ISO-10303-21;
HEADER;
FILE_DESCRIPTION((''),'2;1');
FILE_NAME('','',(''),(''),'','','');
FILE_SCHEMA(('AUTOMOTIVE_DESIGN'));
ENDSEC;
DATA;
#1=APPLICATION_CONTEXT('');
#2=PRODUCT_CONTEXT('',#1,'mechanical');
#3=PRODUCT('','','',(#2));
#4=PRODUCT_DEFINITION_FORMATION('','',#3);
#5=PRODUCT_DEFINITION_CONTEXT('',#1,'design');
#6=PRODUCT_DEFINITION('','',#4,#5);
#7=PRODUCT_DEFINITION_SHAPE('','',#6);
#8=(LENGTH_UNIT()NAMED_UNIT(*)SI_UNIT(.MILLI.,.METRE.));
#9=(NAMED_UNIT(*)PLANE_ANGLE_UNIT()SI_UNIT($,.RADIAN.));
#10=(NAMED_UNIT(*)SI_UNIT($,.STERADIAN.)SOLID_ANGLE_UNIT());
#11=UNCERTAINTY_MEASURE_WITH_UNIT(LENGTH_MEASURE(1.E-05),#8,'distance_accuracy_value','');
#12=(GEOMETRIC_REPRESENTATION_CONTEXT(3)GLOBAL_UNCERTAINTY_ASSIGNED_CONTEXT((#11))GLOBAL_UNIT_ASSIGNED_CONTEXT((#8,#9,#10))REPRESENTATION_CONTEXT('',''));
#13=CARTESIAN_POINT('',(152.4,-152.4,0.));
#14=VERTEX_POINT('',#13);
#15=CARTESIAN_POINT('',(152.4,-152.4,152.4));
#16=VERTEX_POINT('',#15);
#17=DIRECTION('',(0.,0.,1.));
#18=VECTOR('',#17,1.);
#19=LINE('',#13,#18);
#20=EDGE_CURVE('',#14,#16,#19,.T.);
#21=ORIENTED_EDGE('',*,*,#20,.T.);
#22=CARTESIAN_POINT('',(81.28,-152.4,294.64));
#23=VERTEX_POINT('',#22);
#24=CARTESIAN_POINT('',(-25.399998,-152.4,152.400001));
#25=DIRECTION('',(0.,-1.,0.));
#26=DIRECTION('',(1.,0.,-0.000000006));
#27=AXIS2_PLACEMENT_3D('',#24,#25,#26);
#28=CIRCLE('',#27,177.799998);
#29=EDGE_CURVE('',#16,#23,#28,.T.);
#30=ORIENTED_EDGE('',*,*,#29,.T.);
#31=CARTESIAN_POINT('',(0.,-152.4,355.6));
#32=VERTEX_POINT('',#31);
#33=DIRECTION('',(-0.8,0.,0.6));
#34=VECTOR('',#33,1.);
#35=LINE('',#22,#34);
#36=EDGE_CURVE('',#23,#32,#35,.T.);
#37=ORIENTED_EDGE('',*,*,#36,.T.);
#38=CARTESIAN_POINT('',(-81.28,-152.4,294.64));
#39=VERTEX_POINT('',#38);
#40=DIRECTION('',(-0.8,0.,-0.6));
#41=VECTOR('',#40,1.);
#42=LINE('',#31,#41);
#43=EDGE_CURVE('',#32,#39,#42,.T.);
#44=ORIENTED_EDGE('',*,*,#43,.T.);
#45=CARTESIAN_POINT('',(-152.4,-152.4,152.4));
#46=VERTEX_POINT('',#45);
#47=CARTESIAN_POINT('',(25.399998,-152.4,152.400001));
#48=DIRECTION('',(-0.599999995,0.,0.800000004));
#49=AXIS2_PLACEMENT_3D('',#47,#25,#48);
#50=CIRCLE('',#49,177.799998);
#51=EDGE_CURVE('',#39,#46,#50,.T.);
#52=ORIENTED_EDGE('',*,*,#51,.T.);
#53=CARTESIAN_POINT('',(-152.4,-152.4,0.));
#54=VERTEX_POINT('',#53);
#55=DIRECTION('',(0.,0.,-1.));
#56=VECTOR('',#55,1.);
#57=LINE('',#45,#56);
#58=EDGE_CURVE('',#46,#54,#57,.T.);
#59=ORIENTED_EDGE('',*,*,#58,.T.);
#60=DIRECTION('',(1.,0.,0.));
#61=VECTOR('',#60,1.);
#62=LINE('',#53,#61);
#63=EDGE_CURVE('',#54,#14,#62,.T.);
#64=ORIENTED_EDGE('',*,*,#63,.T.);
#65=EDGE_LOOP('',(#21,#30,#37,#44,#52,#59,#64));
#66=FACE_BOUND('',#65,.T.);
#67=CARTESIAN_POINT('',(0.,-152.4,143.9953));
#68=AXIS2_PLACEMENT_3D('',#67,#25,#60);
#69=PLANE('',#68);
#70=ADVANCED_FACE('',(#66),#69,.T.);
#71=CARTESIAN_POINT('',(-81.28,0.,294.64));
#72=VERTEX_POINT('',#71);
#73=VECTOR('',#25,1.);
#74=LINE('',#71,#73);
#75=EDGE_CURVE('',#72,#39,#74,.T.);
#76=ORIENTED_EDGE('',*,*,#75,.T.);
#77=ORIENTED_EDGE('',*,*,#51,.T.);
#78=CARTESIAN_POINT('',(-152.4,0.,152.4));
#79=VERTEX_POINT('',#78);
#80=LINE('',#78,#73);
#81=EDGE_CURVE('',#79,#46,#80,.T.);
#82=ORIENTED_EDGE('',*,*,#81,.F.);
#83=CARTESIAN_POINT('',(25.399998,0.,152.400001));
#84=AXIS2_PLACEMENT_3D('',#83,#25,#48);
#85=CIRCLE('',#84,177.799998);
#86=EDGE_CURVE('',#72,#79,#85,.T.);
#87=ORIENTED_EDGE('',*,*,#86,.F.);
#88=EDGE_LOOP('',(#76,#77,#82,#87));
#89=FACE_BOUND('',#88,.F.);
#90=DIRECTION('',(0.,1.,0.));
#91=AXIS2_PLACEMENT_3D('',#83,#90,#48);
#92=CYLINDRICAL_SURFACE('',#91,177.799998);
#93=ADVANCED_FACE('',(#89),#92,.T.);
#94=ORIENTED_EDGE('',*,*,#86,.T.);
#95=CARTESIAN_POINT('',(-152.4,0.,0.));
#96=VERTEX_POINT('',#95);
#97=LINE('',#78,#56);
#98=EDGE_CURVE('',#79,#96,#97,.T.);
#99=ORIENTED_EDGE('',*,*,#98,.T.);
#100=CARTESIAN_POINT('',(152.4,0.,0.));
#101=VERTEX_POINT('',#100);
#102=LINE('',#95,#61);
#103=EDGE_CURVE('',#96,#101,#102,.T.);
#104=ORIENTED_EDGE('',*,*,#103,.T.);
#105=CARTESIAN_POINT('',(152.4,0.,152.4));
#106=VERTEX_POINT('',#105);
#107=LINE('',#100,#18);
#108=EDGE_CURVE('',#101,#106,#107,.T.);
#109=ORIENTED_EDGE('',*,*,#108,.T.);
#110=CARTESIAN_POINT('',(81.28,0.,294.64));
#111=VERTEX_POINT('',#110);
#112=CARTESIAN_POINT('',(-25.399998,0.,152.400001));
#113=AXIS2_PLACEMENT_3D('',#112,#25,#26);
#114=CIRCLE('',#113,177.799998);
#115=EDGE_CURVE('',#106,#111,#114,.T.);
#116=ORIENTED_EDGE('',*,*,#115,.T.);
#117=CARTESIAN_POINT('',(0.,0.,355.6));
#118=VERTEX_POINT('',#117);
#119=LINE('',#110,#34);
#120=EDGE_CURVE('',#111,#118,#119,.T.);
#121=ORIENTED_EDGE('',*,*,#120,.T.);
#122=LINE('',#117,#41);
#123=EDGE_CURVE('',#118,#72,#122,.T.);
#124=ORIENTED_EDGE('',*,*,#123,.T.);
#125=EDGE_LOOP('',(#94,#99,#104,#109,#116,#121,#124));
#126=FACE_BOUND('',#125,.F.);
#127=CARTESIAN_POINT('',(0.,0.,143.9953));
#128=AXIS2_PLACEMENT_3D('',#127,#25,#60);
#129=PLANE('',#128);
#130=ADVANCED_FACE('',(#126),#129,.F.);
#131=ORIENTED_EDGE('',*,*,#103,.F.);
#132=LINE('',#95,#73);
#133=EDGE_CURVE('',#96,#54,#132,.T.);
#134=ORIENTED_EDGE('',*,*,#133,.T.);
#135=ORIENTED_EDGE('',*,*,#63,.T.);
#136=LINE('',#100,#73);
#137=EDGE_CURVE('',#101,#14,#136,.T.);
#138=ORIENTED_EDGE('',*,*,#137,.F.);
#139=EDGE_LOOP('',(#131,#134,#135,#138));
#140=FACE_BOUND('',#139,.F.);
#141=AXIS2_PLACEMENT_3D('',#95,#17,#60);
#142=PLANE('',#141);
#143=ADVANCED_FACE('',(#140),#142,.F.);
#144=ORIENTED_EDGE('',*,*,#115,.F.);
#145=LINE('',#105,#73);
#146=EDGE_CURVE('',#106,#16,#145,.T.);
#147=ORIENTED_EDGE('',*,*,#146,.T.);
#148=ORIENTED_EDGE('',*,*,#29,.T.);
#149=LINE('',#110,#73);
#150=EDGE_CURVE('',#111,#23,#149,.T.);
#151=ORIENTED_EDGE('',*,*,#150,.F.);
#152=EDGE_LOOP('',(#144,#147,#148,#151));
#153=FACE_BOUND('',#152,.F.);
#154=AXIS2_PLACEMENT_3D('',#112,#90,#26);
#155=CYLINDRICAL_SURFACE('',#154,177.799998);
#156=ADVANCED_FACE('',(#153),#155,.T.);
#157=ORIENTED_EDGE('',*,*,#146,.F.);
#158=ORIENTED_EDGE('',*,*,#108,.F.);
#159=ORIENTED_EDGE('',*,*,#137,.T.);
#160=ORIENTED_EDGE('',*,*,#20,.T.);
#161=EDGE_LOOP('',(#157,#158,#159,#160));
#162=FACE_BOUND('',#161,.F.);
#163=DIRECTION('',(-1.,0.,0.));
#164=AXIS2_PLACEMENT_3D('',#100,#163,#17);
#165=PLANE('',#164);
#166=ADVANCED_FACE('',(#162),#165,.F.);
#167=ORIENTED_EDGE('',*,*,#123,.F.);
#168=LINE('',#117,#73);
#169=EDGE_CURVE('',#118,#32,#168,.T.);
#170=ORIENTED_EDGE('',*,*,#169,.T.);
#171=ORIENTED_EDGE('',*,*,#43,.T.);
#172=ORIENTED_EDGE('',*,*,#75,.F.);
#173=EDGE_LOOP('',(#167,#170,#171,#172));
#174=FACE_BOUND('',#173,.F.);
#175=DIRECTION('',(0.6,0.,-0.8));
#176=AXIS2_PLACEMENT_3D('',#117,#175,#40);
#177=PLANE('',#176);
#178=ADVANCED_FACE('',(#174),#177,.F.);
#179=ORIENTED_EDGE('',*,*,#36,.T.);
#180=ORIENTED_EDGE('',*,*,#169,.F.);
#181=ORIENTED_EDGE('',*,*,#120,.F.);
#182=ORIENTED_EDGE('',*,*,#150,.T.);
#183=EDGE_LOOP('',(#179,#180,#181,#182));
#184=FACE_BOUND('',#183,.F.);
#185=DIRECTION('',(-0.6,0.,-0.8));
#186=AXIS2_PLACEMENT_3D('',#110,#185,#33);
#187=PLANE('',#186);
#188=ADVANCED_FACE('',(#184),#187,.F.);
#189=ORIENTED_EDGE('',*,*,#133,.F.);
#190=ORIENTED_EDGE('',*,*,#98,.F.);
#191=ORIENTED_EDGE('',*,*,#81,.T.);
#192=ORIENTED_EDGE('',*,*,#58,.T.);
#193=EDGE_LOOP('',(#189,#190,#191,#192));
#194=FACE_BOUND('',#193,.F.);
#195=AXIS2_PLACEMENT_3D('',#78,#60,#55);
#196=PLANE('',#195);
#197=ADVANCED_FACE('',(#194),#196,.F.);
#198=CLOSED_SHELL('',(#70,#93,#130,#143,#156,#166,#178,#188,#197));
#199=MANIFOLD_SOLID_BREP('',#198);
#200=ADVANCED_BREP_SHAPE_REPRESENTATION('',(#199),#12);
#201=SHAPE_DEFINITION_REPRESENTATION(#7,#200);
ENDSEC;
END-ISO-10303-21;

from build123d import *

# Parameters (mm, degrees)
F1_DEPTH = 152.4


with BuildPart() as f1:
    # F0 (on Front) → F1 (new body)
    with BuildSketch(Plane.XZ):
        with BuildLine():
            Line((-152.4, 152.4), (-152.4, 0))
            Line((-152.4, 0), (152.4, 0))
            Line((152.4, 0), (152.4, 152.4))
            ThreePointArc((152.4, 152.4), (133.629155, 231.914577), (81.28, 294.64))
            Line((81.28, 294.64), (0, 355.6))
            Line((0, 355.6), (-81.28, 294.64))
            ThreePointArc((-81.28, 294.64), (-133.629155, 231.914577), (-152.4, 152.4))
        make_face()
    extrude(amount=F1_DEPTH)


solid = f1.part
